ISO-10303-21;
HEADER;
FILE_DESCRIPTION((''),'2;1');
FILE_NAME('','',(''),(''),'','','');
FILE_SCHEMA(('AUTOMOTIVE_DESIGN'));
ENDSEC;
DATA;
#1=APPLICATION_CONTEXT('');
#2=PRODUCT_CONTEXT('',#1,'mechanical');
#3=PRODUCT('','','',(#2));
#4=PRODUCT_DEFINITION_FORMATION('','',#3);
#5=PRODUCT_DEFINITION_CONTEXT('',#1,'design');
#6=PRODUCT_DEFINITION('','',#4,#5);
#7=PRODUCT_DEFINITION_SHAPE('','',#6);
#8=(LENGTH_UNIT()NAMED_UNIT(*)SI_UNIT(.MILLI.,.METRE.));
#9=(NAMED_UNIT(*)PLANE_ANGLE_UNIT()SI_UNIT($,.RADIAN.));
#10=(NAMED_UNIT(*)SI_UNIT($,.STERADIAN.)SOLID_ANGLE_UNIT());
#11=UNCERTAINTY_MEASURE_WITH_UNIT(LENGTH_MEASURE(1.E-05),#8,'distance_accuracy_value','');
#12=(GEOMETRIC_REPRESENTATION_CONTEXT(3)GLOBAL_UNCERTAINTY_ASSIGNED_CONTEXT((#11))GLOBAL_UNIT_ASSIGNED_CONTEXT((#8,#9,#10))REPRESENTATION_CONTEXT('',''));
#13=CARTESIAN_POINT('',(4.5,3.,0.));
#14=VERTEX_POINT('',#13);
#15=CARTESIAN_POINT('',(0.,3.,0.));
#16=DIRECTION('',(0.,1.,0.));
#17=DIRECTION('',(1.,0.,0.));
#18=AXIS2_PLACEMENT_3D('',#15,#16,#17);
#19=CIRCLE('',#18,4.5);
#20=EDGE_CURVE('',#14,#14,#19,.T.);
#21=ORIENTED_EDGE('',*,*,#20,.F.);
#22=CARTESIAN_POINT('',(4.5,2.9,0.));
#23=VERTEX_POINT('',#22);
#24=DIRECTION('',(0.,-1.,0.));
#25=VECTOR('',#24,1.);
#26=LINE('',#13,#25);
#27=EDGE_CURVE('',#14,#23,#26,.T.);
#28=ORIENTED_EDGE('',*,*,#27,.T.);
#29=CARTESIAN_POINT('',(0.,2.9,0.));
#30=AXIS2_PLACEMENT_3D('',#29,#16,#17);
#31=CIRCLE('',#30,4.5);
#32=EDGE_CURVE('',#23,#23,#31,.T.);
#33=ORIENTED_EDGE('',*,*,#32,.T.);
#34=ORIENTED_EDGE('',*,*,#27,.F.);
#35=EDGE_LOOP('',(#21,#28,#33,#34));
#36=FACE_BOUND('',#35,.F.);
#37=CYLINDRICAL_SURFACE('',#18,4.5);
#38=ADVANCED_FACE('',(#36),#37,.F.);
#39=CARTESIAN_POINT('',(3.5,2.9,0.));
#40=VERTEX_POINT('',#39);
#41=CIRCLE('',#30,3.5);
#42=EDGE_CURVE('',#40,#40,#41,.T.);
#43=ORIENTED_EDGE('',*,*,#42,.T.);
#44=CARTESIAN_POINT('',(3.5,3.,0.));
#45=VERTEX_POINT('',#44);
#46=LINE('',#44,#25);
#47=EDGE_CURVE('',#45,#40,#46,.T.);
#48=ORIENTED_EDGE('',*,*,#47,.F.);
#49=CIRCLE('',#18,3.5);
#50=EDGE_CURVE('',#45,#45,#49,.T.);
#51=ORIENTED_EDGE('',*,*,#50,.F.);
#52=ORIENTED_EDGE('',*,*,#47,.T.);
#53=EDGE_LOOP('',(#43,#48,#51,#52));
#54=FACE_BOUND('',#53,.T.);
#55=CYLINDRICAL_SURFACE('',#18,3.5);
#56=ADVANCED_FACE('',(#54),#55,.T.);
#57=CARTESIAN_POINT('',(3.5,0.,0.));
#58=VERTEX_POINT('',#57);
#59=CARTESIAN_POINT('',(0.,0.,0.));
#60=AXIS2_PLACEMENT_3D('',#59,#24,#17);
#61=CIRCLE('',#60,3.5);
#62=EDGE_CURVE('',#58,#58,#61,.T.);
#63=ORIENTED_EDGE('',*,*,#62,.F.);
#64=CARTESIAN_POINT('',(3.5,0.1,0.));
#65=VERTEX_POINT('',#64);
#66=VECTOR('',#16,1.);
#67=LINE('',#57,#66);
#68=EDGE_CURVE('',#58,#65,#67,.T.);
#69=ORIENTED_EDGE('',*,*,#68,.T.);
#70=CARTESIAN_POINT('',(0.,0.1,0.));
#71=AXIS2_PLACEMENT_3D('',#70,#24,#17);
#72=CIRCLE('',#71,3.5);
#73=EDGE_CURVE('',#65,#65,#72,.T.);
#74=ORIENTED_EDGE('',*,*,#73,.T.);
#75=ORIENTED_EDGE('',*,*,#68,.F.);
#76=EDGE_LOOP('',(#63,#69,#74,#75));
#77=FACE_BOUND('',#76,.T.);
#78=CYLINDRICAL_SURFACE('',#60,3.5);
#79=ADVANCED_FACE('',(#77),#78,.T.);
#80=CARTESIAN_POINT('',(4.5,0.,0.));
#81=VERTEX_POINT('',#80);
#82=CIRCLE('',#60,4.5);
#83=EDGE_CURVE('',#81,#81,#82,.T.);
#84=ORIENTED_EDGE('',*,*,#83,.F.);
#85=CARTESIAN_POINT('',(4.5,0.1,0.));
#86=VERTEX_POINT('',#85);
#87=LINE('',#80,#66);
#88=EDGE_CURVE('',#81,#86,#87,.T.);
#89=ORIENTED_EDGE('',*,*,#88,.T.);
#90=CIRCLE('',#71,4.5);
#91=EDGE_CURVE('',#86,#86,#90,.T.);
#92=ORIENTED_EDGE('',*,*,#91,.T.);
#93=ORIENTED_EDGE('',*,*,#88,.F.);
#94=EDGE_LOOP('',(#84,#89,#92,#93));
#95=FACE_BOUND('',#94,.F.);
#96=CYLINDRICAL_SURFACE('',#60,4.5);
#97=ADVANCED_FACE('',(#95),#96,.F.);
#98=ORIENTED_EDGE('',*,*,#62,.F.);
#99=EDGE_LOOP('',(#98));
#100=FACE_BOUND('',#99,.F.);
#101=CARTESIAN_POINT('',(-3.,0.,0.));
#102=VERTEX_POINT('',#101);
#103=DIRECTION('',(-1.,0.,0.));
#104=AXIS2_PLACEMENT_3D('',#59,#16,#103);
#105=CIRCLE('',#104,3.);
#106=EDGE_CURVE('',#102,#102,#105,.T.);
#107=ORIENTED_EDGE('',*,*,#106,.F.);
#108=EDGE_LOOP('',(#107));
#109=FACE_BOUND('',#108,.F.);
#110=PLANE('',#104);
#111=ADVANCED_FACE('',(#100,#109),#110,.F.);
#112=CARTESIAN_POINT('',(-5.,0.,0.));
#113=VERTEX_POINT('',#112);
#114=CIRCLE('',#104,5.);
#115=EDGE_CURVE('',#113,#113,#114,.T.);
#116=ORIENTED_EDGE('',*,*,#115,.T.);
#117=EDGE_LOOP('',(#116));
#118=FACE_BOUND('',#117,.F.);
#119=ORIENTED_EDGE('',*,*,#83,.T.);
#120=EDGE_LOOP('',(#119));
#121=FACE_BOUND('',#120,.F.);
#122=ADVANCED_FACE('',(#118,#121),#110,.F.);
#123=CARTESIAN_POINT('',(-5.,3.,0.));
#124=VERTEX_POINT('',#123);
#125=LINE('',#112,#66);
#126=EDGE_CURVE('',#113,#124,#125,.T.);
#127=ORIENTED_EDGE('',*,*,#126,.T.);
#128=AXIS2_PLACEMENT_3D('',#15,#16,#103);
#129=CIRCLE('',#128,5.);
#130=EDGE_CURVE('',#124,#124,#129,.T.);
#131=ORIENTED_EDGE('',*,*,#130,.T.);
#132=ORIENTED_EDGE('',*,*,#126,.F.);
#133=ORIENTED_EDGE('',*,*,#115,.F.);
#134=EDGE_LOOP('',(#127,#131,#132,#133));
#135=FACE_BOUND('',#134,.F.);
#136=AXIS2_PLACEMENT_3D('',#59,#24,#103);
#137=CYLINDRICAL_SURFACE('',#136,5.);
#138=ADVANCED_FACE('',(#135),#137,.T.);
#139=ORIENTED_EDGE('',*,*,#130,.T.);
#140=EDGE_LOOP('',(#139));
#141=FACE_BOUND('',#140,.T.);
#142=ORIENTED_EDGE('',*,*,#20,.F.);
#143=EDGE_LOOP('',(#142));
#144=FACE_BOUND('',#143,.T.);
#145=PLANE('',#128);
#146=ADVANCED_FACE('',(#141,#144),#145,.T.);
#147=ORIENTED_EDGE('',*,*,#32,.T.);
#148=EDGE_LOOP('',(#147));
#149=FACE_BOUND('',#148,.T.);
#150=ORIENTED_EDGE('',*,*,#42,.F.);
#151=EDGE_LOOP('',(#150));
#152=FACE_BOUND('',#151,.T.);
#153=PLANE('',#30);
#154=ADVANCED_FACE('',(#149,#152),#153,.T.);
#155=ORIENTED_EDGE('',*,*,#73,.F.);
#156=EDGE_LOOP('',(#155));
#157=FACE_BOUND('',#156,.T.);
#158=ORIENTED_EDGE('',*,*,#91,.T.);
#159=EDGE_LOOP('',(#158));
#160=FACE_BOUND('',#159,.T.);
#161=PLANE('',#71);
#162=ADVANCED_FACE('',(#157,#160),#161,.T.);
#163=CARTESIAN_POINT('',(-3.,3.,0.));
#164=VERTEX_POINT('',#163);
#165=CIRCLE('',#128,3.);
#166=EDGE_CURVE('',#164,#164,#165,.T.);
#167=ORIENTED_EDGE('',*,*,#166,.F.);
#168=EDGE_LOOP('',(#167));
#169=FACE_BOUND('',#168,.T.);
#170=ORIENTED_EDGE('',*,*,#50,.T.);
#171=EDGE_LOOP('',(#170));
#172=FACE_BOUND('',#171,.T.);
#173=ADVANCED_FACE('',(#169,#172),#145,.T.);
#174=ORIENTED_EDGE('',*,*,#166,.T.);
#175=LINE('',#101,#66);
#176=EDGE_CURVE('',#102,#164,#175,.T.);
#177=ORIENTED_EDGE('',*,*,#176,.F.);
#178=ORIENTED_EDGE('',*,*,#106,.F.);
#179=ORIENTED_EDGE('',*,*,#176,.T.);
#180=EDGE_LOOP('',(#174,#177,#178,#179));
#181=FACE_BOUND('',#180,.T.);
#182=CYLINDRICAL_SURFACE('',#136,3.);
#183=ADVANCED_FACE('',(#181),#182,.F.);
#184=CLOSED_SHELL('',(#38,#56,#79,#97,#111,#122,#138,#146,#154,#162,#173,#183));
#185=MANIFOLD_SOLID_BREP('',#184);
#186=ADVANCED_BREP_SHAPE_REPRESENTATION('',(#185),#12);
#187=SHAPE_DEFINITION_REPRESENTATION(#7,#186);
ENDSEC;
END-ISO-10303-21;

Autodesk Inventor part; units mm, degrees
ref_plane "YZ Plane" through (0, 0, 0) normal (1, 0, 0) x (0, 1, 0)
ref_plane "XZ Plane" through (0, 0, 0) normal (0, 1, 0) x (-1, 0, 0)
ref_plane "XY Plane" through (0, 0, 0) normal (0, 0, 1) x (1, 0, 0)
sketch "Sketch1" plane through (0, 0, 0) normal (0, 1, 0) x (-1, 0, 0)
  circle A0 centre (0, 0) radius 3
  circle A1 centre (0, 0) radius 5
  dimension "d0" = 6
  dimension "d1" = 10
extrude "Extrusion1" add sketch "Sketch1" along normal blind 3
sketch "Sketch2" plane through (0, 3, 0) normal (0, 1, 0) x (1, 0, 0)
  circle A0 centre (0, 0) radius 5 projected
  circle A1 centre (0, 0) radius 3 projected
  circle A2 centre (0, 0) radius 3.5
  circle A3 centre (0, 0) radius 4.5
  dimension "d4" = 7
  dimension "d5" = 9
extrude "Extrusion2" cut sketch "Sketch2" against normal blind 0.1 contours A3
sketch "Sketch3" plane through (0, 0, 0) normal (0, -1, 0) x (1, 0, 0)
  circle A0 centre (0, 0) radius 3.5 projected
  circle A1 centre (0, 0) radius 4.5 projected
extrude "Extrusion3" cut sketch "Sketch3" against normal blind 0.1
properties part number "bearing_6_10_3"
